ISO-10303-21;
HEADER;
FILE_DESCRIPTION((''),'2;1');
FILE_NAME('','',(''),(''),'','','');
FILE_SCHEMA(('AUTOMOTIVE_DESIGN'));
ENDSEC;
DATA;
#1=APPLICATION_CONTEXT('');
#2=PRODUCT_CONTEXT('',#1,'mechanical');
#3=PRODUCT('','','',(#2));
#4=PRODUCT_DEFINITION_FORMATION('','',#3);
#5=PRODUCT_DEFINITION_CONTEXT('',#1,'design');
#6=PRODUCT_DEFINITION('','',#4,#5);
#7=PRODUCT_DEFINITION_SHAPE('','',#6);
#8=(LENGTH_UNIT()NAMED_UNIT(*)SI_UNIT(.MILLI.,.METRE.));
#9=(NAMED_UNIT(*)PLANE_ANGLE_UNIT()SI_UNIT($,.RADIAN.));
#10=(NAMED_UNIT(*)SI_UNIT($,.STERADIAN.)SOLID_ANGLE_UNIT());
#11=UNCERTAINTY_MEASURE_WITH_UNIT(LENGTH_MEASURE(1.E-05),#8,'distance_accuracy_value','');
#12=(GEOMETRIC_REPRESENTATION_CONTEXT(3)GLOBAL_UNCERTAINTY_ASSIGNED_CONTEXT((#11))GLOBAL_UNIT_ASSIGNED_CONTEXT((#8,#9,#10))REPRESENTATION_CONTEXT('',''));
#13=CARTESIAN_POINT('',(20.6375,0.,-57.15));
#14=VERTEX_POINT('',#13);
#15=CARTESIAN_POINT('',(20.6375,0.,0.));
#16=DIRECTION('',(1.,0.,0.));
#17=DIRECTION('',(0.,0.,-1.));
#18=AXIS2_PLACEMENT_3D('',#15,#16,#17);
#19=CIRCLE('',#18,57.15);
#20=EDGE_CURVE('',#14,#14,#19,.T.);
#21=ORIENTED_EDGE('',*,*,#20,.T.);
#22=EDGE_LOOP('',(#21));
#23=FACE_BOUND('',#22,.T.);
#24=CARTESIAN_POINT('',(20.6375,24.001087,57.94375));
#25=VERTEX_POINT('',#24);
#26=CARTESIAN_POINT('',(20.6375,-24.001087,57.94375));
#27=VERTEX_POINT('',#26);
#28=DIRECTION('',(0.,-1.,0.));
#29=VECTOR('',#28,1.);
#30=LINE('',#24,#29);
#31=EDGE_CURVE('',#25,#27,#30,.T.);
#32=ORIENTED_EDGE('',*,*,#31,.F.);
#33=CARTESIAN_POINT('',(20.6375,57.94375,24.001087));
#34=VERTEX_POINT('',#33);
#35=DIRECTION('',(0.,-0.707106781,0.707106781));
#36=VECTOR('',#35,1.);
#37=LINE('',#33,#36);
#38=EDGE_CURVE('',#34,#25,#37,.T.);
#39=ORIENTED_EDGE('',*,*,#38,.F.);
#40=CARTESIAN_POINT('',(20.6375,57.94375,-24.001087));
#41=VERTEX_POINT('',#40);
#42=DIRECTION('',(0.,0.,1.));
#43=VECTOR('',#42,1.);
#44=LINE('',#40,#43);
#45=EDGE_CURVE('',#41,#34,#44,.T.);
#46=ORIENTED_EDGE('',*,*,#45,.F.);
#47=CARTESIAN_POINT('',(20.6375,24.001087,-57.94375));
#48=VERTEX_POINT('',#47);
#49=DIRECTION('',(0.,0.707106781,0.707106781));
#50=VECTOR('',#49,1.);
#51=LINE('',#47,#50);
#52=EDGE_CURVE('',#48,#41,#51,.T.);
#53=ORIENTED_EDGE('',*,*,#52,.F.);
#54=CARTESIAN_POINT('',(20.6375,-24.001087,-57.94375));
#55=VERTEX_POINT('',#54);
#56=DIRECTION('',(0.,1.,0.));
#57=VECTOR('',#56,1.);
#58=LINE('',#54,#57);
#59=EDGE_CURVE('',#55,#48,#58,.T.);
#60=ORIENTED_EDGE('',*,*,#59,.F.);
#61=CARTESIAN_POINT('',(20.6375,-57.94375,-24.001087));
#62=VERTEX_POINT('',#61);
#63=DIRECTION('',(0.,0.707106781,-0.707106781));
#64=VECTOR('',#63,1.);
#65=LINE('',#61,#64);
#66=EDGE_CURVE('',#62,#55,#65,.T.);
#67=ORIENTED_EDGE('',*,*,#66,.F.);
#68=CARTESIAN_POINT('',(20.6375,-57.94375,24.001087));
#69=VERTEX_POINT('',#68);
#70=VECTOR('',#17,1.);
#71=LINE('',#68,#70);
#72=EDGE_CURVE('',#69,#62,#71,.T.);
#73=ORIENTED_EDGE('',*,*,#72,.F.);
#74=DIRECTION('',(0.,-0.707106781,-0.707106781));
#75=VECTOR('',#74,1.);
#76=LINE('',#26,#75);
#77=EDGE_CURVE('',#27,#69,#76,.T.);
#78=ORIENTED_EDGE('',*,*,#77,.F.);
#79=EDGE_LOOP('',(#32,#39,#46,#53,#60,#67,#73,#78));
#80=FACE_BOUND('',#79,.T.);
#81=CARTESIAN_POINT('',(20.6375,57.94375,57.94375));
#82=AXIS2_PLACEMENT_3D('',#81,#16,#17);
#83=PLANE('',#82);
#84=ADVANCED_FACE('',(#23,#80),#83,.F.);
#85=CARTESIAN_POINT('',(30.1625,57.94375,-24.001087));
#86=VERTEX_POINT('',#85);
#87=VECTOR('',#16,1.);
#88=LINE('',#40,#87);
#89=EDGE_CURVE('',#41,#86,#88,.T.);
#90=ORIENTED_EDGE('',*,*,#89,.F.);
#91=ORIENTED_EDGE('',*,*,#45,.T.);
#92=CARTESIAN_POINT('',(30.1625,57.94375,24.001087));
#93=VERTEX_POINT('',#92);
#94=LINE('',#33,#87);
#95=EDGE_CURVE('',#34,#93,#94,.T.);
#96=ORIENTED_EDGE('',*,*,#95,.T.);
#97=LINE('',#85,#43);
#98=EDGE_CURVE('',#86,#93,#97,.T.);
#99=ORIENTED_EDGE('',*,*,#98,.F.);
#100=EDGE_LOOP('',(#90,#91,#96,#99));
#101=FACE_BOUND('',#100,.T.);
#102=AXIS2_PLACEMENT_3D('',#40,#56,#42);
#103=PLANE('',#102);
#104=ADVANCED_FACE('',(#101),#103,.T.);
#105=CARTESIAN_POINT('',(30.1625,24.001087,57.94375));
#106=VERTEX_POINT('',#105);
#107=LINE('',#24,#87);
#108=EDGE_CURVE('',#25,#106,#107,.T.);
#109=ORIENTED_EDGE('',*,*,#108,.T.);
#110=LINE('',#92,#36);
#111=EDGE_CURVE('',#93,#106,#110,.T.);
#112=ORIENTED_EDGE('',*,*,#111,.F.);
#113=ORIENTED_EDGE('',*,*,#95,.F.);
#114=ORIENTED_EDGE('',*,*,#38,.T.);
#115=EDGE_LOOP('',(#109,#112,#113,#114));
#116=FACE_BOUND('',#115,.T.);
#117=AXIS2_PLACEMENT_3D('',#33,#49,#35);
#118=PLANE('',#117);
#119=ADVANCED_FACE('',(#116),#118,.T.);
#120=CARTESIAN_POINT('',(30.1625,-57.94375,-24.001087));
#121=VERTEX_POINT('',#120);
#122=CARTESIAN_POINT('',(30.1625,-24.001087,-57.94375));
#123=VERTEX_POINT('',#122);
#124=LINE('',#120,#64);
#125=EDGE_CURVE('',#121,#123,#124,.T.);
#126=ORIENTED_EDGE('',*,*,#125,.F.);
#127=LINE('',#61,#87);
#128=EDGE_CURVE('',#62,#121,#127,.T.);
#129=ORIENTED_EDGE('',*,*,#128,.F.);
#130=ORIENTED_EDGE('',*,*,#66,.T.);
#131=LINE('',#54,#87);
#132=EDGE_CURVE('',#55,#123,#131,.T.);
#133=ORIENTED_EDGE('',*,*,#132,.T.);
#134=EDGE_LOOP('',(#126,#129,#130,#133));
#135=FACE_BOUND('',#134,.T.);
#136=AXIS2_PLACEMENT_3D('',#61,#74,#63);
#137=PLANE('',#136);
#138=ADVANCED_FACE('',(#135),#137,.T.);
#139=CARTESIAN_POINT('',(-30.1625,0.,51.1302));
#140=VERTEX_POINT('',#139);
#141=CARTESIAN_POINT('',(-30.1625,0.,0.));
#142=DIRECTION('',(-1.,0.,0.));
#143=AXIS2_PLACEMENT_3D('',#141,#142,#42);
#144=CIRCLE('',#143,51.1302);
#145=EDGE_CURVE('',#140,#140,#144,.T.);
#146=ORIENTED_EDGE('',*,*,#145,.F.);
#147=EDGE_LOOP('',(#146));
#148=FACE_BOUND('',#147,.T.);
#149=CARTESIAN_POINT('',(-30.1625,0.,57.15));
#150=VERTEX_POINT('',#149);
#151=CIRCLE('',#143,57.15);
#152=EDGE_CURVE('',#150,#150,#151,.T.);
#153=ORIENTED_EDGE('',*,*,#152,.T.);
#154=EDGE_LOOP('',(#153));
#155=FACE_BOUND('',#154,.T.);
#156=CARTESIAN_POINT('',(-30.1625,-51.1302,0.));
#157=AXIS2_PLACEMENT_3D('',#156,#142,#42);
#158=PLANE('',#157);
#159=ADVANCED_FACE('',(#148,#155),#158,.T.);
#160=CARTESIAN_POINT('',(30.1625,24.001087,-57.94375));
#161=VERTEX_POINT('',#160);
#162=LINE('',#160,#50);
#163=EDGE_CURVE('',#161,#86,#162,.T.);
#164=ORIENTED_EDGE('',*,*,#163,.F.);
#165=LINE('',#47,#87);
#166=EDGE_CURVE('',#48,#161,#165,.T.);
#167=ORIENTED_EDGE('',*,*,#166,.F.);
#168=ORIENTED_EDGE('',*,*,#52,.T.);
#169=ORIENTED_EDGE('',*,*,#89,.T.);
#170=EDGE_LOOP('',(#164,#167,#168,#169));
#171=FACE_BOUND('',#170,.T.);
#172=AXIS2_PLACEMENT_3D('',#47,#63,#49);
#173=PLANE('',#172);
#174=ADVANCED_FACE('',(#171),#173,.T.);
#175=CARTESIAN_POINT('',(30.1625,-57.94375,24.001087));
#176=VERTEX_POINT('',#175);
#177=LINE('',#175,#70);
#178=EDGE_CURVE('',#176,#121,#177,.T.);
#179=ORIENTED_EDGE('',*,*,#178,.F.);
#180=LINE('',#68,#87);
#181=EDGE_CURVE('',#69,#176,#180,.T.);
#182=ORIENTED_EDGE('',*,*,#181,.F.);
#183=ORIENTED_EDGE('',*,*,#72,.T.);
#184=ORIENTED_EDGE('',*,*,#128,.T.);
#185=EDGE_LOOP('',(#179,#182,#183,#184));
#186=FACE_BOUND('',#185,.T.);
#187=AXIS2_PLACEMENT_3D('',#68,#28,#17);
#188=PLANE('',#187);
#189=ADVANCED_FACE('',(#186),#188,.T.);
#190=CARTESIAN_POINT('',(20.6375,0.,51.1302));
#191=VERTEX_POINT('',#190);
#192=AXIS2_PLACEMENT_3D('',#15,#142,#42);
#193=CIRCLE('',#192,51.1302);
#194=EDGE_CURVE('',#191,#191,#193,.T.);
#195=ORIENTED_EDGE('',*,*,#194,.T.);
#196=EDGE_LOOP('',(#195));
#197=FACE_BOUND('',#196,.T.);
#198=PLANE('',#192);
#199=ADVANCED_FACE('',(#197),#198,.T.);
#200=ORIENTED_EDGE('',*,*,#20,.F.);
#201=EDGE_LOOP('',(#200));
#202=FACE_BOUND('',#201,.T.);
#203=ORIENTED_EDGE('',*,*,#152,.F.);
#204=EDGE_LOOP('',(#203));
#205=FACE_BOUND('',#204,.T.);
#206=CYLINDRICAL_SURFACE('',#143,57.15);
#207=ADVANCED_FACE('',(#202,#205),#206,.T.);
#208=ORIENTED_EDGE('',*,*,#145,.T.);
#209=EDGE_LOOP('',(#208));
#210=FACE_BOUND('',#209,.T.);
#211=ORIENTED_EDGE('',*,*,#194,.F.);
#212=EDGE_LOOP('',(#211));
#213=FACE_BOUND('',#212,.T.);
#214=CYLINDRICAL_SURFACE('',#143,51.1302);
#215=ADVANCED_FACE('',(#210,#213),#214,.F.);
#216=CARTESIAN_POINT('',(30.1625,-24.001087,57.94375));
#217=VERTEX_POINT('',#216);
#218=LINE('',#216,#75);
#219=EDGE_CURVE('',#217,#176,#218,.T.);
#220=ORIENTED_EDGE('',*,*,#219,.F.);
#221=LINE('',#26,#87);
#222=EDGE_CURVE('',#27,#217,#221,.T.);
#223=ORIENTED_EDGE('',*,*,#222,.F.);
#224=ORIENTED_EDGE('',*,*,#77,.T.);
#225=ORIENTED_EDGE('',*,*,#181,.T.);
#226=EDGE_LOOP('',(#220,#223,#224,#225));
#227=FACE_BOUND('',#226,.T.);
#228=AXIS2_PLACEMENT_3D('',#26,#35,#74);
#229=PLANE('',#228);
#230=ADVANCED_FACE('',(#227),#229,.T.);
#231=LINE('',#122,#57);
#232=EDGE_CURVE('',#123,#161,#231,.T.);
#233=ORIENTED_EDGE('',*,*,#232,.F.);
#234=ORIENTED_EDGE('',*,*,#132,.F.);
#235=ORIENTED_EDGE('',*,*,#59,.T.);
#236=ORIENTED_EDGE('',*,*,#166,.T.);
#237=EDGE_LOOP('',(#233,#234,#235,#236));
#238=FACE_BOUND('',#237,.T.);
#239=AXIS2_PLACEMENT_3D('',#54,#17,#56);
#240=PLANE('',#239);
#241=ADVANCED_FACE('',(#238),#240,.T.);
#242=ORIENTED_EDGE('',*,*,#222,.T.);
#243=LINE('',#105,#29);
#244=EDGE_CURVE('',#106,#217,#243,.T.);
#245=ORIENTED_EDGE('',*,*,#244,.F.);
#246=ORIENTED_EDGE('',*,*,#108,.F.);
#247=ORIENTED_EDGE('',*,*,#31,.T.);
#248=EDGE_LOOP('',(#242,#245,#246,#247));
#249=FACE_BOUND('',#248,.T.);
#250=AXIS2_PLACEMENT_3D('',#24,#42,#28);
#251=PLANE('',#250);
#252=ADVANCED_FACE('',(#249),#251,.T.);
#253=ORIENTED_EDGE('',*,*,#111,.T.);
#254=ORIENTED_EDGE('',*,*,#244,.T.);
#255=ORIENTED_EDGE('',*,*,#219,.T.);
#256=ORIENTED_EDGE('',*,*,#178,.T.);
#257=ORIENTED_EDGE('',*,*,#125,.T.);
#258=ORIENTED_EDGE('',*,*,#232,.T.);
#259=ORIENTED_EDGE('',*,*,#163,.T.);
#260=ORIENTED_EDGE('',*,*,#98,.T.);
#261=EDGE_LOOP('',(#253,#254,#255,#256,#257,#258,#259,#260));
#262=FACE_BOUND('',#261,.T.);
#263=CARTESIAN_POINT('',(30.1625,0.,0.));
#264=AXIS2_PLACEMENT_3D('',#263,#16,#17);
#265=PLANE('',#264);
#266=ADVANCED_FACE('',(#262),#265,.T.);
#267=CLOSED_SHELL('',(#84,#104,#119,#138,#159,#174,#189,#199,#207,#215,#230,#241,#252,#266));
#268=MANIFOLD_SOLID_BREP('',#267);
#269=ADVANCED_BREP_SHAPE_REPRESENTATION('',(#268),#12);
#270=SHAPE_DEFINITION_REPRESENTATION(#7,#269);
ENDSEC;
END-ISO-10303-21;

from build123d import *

# Parameters (mm, degrees)
SKETCH2_R           = 57.15
BOSS_EXTRUDE1_DEPTH = 9.525


with BuildPart() as part:
    # Sketch1 → Revolve1 (revolve)
    with BuildSketch(Plane.XY):
        Polygon((-30.1625, -57.15), (30.1625, -57.15), (30.1625, 0), (20.6375, 0), (20.6375, -51.1302), (-30.1625, -51.1302), align=None)
    revolve(axis=Axis((-30.1625, 0, 0), (1, 0, 0)))

    # Sketch2 → Boss-Extrude1 (add)
    with BuildSketch(Plane(origin=(30.1625, 0, 0), x_dir=(0, 0, -1), z_dir=(1, 0, 0))):
        Polygon((-24.001087105, 57.94375), (-57.94375, 24.001087105), (-57.94375, -24.001087105), (-24.001087105, -57.94375), (24.001087105, -57.94375), (57.94375, -24.001087105), (57.94375, 24.001087105), (24.001087105, 57.94375), align=None)
        Circle(SKETCH2_R, mode=Mode.SUBTRACT)
    extrude(amount=-BOSS_EXTRUDE1_DEPTH)


solid = part.part
